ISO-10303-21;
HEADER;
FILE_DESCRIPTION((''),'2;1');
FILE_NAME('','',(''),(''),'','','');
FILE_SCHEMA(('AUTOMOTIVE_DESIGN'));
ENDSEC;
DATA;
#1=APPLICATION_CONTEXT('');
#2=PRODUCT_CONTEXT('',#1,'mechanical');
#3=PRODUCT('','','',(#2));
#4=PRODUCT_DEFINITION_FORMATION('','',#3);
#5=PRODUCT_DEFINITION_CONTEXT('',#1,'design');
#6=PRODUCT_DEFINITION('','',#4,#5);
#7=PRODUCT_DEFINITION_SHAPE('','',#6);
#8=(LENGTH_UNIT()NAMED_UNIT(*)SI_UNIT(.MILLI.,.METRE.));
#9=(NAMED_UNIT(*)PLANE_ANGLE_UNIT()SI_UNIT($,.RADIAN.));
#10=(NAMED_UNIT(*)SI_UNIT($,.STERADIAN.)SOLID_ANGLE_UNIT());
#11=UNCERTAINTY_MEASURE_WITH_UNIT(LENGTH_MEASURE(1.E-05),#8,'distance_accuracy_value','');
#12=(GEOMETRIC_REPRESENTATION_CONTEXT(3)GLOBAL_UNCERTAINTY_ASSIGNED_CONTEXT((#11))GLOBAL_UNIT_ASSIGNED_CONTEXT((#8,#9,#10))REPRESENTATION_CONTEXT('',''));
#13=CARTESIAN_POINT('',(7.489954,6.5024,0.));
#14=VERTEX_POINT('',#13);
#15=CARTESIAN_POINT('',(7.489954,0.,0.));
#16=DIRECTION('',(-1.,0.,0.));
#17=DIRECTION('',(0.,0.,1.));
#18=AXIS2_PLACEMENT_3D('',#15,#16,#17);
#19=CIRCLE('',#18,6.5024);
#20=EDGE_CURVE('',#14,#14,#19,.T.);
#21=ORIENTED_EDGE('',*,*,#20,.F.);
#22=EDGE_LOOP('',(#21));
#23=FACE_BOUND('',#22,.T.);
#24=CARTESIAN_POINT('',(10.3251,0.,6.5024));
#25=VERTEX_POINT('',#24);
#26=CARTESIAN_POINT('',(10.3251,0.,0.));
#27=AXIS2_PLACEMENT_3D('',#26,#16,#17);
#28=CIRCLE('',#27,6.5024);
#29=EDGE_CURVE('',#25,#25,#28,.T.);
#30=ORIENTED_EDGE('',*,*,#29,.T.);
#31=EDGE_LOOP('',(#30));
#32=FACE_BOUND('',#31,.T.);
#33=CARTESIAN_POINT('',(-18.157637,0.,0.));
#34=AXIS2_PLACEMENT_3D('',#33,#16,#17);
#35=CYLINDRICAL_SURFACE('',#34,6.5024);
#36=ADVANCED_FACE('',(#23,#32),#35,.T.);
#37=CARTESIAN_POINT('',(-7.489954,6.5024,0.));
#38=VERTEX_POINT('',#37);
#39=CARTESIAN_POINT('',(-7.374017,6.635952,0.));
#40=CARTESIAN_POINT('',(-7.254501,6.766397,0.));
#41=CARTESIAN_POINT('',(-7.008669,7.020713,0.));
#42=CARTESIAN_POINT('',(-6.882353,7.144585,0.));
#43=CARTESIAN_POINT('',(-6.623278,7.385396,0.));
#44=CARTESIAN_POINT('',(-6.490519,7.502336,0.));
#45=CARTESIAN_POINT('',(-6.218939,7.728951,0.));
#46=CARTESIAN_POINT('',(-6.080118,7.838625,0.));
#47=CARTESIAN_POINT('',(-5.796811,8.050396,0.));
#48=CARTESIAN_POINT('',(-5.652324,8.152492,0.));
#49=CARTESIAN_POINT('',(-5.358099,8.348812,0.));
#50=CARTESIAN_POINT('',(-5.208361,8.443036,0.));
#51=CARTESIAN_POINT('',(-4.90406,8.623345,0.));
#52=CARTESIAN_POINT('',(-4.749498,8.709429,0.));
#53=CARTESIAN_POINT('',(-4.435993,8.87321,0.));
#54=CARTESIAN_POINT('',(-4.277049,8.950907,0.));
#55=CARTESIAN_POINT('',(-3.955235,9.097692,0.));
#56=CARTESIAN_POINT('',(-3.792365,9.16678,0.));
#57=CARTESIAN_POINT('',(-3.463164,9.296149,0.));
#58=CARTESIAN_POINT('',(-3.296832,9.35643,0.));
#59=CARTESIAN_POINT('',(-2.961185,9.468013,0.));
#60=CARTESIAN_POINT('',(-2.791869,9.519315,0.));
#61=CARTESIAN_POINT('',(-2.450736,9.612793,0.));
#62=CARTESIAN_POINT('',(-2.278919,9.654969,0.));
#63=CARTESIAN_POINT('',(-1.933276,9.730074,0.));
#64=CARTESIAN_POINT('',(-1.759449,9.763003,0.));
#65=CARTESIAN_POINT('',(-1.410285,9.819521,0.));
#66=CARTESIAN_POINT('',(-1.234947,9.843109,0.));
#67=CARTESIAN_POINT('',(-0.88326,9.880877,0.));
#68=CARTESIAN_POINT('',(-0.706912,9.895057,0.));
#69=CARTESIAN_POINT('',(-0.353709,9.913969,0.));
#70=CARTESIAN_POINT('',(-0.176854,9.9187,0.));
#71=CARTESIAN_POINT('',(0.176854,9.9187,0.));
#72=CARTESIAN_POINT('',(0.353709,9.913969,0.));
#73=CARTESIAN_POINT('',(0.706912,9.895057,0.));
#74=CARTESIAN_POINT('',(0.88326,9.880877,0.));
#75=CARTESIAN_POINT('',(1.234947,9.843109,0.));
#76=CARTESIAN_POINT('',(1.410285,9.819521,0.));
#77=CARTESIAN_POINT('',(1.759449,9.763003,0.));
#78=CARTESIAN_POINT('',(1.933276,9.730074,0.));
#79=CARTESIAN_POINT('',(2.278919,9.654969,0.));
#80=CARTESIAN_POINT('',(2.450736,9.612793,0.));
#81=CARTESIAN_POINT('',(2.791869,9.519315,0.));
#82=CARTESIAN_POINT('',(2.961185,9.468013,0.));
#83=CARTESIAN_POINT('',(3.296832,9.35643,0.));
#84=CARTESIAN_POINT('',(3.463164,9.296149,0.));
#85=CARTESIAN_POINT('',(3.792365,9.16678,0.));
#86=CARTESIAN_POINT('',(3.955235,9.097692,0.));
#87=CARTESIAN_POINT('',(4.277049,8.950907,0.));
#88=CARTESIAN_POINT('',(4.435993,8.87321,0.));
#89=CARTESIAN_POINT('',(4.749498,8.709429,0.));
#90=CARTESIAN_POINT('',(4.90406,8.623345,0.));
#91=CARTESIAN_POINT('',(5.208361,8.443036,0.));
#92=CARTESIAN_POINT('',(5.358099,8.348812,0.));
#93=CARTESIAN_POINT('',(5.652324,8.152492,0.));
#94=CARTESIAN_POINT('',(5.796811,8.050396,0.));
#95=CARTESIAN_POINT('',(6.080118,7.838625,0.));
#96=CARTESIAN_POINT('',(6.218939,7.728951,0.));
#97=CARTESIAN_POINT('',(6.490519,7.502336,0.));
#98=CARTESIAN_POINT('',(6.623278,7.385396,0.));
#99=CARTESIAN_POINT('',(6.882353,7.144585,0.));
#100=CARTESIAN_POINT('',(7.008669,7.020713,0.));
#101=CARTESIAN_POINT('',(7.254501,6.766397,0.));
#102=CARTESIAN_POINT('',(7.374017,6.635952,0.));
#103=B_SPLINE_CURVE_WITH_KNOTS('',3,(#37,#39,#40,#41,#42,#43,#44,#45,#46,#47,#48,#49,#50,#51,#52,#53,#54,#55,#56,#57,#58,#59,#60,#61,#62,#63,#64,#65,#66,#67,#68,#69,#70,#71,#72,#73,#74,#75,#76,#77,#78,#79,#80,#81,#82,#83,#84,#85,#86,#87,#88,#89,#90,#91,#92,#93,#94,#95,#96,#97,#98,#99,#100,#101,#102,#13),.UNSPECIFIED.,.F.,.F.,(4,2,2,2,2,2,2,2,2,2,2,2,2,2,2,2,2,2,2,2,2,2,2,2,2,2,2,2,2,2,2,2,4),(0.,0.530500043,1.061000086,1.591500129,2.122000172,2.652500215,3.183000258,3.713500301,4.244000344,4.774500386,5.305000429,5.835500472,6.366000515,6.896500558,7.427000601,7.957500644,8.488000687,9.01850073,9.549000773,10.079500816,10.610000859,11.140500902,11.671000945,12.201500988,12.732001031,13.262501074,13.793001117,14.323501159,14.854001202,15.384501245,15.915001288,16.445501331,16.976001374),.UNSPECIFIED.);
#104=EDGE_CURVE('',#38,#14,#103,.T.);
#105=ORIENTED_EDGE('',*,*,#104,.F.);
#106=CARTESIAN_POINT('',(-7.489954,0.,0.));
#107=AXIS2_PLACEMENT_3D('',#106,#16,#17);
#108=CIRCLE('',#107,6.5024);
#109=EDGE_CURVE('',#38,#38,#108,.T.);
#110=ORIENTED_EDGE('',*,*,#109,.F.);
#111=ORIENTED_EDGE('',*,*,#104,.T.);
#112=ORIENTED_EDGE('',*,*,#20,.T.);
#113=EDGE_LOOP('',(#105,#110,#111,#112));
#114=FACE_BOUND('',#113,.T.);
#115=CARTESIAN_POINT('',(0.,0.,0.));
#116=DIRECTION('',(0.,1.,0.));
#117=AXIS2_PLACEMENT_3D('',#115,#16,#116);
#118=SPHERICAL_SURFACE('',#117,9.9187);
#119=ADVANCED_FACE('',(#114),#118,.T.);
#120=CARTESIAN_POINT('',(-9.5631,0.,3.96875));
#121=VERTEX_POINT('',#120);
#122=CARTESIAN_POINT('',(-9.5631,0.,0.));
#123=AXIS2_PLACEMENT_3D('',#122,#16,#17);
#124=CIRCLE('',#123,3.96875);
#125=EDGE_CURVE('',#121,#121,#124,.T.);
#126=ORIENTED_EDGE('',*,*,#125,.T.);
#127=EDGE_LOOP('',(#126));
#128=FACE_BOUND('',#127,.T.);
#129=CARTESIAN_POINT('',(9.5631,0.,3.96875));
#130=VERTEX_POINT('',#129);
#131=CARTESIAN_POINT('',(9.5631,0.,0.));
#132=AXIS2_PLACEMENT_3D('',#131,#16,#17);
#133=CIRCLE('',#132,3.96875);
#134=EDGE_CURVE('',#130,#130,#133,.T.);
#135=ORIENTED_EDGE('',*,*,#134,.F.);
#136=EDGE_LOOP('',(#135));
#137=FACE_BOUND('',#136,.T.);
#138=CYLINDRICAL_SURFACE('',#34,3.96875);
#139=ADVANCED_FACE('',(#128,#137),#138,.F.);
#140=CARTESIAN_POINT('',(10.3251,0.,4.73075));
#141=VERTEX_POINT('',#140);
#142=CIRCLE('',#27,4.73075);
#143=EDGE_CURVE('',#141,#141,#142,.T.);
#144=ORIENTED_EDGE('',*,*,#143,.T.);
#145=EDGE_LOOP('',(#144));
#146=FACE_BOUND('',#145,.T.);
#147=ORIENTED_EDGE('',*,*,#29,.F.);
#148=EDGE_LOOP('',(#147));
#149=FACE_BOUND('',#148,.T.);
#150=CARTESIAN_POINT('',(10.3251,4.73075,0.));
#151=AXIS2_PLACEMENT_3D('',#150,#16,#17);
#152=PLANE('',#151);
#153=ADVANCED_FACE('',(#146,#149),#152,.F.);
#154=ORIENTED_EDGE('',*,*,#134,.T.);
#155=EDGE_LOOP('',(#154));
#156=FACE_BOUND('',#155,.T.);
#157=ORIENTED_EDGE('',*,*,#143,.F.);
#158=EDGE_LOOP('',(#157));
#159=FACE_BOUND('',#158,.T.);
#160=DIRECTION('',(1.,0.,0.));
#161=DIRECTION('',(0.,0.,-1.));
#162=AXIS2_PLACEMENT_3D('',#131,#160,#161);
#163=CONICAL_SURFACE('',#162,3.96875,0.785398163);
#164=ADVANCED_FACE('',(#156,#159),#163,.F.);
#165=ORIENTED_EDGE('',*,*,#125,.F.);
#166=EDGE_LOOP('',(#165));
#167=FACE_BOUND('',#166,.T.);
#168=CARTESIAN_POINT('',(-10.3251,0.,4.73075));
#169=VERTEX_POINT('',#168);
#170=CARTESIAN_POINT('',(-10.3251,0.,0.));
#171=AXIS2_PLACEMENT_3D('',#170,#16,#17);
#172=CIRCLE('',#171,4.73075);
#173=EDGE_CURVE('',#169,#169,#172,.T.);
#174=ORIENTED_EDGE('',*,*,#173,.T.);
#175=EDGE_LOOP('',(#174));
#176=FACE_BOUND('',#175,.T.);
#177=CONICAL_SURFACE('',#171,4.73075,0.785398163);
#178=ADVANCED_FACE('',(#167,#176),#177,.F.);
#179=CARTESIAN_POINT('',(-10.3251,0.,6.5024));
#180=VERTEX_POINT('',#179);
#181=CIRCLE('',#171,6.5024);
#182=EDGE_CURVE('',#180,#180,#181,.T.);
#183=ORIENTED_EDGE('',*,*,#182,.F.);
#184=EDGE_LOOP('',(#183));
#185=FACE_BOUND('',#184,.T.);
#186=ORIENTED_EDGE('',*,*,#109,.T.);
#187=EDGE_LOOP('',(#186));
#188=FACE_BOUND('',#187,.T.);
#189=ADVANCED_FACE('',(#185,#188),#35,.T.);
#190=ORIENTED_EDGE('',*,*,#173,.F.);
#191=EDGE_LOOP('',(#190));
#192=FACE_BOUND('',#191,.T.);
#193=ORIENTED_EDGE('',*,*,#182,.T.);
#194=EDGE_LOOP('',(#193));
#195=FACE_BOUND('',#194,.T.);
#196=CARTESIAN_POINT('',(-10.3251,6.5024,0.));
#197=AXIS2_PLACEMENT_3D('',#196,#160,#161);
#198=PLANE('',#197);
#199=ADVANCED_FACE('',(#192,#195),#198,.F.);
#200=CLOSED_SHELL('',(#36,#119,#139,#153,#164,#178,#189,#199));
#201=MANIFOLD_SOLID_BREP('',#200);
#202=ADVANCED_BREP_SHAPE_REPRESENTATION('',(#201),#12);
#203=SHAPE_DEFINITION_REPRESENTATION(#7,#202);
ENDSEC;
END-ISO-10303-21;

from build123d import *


with BuildPart() as part:
    # Sketch1 → Revolve1 (revolve)
    with BuildSketch(Plane.XY, mode=Mode.PRIVATE) as revolve1_sk:
        with BuildLine():
            Line((-10.3251, 6.5024), (-10.3251, 4.73075))
            Line((-10.3251, 4.73075), (-9.5631, 3.96875))
            Line((-9.5631, 3.96875), (9.5631, 3.96875))
            Line((9.5631, 3.96875), (10.3251, 4.73075))
            Line((10.3251, 4.73075), (10.3251, 6.5024))
            Line((10.3251, 6.5024), (7.489953533, 6.5024))
            ThreePointArc((7.489953533, 6.5024), (0, 9.9187), (-7.489953533, 6.5024))
            Line((-7.489953533, 6.5024), (-10.3251, 6.5024))
        make_face()
    revolve(revolve1_sk.sketch.rotate(Axis((-18.157637283, 0, 0), (1, 0, 0)), 90), axis=Axis((-18.157637283, 0, 0), (1, 0, 0)))


solid = part.part
